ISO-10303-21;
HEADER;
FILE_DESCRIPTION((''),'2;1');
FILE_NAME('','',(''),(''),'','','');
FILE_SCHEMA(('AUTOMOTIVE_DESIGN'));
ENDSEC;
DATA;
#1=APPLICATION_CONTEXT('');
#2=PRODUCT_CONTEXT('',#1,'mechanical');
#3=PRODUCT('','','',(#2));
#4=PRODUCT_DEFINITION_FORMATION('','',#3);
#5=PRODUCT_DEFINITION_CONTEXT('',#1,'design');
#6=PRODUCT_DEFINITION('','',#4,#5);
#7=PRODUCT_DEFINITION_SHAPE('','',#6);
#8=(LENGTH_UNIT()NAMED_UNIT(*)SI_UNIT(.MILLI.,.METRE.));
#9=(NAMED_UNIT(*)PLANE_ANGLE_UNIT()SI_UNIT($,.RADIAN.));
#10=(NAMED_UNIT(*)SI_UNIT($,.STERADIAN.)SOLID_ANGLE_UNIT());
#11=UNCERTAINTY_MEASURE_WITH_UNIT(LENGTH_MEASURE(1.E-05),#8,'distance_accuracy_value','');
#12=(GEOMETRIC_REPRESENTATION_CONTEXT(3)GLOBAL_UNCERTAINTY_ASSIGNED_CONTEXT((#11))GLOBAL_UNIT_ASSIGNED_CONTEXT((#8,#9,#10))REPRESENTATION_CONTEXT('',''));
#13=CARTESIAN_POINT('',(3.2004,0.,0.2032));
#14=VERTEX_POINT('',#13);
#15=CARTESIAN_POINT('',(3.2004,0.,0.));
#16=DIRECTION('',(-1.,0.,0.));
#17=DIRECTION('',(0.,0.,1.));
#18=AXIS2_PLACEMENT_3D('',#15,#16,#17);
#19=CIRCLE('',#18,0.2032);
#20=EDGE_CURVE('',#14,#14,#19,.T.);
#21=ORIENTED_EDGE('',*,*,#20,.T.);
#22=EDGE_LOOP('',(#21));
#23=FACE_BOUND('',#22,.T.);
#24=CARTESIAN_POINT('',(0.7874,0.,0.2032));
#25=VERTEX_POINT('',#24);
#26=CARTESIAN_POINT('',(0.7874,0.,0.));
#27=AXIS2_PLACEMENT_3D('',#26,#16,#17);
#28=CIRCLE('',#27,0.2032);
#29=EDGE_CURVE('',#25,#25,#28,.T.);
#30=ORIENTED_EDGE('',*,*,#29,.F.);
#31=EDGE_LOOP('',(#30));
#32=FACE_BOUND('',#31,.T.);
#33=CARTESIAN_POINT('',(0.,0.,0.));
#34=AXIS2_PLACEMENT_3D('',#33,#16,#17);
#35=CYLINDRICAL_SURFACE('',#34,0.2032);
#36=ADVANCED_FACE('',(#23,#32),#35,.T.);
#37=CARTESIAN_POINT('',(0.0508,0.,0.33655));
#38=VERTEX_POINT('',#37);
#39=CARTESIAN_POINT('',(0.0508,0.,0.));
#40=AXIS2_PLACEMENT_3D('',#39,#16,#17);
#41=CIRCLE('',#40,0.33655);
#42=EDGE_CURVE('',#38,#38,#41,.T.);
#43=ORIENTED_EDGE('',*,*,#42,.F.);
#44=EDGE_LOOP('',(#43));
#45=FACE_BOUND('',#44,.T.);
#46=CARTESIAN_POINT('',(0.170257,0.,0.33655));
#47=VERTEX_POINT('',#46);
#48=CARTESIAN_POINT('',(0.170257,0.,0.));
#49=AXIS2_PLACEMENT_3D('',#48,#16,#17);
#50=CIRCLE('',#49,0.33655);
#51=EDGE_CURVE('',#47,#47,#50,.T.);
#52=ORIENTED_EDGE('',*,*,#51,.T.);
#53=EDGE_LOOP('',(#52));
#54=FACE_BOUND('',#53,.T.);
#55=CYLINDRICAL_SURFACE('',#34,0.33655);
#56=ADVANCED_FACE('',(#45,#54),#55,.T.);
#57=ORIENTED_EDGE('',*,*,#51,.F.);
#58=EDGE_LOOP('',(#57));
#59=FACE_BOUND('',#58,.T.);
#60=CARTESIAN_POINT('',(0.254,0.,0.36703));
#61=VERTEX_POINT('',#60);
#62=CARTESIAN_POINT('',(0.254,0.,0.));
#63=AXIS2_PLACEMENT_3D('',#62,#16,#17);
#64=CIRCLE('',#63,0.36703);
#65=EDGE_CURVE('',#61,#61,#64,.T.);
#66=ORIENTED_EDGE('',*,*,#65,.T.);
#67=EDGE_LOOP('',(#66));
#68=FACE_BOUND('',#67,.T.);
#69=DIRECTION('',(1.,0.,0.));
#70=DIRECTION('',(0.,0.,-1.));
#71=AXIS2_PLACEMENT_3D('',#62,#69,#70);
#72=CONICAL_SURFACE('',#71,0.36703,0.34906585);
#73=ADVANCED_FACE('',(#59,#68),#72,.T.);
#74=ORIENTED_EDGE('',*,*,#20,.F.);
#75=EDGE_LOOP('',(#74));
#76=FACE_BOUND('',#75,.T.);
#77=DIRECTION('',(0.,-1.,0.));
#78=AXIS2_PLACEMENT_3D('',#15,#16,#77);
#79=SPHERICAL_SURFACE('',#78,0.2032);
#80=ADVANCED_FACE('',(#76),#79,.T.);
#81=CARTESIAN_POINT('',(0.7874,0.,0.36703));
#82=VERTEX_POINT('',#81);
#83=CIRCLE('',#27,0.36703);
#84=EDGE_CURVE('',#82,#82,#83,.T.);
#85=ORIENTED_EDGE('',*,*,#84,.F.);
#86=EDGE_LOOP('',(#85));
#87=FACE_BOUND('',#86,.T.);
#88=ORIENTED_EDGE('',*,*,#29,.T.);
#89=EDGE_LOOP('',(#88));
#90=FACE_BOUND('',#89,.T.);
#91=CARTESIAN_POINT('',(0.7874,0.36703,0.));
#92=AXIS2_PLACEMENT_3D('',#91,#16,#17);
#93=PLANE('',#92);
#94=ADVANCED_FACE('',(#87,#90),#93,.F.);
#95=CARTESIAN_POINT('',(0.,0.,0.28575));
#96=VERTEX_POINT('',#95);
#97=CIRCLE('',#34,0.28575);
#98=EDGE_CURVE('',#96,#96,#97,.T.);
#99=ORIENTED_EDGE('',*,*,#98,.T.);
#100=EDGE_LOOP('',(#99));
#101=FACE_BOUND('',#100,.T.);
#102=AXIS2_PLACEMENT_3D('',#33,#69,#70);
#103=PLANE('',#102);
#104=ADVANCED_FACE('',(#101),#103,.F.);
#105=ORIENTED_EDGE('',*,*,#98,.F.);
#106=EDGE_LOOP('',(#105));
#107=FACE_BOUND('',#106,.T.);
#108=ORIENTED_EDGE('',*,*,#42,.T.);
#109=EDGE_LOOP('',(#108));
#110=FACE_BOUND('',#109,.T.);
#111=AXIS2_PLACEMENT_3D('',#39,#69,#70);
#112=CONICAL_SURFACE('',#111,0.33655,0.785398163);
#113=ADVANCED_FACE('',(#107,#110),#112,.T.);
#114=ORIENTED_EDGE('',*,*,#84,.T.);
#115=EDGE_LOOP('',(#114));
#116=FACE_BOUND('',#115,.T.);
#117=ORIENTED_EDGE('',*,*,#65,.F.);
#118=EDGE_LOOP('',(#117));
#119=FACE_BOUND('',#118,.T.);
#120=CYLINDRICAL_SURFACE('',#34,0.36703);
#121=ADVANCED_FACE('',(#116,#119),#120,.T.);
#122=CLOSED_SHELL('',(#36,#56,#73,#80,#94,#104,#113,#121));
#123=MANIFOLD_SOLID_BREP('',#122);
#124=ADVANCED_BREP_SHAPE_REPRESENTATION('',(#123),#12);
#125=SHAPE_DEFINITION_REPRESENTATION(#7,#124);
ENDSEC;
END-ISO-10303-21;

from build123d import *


with BuildPart() as part:
    # Sketch1 → RevolutionAngle1 (revolve)
    with BuildSketch(Plane.XY, mode=Mode.PRIVATE) as revolutionangle1_sk:
        with BuildLine():
            Line((0, 0), (0, 0.28575))
            Line((0, 0.28575), (0.0508, 0.33655))
            Line((0.0508, 0.33655), (0.170256888, 0.33655))
            Line((0.170256888, 0.33655), (0.254, 0.36703))
            Line((0.254, 0.36703), (0.7874, 0.36703))
            Line((0.7874, 0.36703), (0.7874, 0.2032))
            Line((0.7874, 0.2032), (3.2004, 0.2032))
            ThreePointArc((3.2004, 0.2032), (3.344084098, 0.143684098), (3.4036, 0))
            Line((3.4036, 0), (0, 0))
        make_face()
    revolve(revolutionangle1_sk.sketch.rotate(Axis((0, 0, 0), (1, 0, 0)), 90), axis=Axis((0, 0, 0), (1, 0, 0)))


solid = part.part
